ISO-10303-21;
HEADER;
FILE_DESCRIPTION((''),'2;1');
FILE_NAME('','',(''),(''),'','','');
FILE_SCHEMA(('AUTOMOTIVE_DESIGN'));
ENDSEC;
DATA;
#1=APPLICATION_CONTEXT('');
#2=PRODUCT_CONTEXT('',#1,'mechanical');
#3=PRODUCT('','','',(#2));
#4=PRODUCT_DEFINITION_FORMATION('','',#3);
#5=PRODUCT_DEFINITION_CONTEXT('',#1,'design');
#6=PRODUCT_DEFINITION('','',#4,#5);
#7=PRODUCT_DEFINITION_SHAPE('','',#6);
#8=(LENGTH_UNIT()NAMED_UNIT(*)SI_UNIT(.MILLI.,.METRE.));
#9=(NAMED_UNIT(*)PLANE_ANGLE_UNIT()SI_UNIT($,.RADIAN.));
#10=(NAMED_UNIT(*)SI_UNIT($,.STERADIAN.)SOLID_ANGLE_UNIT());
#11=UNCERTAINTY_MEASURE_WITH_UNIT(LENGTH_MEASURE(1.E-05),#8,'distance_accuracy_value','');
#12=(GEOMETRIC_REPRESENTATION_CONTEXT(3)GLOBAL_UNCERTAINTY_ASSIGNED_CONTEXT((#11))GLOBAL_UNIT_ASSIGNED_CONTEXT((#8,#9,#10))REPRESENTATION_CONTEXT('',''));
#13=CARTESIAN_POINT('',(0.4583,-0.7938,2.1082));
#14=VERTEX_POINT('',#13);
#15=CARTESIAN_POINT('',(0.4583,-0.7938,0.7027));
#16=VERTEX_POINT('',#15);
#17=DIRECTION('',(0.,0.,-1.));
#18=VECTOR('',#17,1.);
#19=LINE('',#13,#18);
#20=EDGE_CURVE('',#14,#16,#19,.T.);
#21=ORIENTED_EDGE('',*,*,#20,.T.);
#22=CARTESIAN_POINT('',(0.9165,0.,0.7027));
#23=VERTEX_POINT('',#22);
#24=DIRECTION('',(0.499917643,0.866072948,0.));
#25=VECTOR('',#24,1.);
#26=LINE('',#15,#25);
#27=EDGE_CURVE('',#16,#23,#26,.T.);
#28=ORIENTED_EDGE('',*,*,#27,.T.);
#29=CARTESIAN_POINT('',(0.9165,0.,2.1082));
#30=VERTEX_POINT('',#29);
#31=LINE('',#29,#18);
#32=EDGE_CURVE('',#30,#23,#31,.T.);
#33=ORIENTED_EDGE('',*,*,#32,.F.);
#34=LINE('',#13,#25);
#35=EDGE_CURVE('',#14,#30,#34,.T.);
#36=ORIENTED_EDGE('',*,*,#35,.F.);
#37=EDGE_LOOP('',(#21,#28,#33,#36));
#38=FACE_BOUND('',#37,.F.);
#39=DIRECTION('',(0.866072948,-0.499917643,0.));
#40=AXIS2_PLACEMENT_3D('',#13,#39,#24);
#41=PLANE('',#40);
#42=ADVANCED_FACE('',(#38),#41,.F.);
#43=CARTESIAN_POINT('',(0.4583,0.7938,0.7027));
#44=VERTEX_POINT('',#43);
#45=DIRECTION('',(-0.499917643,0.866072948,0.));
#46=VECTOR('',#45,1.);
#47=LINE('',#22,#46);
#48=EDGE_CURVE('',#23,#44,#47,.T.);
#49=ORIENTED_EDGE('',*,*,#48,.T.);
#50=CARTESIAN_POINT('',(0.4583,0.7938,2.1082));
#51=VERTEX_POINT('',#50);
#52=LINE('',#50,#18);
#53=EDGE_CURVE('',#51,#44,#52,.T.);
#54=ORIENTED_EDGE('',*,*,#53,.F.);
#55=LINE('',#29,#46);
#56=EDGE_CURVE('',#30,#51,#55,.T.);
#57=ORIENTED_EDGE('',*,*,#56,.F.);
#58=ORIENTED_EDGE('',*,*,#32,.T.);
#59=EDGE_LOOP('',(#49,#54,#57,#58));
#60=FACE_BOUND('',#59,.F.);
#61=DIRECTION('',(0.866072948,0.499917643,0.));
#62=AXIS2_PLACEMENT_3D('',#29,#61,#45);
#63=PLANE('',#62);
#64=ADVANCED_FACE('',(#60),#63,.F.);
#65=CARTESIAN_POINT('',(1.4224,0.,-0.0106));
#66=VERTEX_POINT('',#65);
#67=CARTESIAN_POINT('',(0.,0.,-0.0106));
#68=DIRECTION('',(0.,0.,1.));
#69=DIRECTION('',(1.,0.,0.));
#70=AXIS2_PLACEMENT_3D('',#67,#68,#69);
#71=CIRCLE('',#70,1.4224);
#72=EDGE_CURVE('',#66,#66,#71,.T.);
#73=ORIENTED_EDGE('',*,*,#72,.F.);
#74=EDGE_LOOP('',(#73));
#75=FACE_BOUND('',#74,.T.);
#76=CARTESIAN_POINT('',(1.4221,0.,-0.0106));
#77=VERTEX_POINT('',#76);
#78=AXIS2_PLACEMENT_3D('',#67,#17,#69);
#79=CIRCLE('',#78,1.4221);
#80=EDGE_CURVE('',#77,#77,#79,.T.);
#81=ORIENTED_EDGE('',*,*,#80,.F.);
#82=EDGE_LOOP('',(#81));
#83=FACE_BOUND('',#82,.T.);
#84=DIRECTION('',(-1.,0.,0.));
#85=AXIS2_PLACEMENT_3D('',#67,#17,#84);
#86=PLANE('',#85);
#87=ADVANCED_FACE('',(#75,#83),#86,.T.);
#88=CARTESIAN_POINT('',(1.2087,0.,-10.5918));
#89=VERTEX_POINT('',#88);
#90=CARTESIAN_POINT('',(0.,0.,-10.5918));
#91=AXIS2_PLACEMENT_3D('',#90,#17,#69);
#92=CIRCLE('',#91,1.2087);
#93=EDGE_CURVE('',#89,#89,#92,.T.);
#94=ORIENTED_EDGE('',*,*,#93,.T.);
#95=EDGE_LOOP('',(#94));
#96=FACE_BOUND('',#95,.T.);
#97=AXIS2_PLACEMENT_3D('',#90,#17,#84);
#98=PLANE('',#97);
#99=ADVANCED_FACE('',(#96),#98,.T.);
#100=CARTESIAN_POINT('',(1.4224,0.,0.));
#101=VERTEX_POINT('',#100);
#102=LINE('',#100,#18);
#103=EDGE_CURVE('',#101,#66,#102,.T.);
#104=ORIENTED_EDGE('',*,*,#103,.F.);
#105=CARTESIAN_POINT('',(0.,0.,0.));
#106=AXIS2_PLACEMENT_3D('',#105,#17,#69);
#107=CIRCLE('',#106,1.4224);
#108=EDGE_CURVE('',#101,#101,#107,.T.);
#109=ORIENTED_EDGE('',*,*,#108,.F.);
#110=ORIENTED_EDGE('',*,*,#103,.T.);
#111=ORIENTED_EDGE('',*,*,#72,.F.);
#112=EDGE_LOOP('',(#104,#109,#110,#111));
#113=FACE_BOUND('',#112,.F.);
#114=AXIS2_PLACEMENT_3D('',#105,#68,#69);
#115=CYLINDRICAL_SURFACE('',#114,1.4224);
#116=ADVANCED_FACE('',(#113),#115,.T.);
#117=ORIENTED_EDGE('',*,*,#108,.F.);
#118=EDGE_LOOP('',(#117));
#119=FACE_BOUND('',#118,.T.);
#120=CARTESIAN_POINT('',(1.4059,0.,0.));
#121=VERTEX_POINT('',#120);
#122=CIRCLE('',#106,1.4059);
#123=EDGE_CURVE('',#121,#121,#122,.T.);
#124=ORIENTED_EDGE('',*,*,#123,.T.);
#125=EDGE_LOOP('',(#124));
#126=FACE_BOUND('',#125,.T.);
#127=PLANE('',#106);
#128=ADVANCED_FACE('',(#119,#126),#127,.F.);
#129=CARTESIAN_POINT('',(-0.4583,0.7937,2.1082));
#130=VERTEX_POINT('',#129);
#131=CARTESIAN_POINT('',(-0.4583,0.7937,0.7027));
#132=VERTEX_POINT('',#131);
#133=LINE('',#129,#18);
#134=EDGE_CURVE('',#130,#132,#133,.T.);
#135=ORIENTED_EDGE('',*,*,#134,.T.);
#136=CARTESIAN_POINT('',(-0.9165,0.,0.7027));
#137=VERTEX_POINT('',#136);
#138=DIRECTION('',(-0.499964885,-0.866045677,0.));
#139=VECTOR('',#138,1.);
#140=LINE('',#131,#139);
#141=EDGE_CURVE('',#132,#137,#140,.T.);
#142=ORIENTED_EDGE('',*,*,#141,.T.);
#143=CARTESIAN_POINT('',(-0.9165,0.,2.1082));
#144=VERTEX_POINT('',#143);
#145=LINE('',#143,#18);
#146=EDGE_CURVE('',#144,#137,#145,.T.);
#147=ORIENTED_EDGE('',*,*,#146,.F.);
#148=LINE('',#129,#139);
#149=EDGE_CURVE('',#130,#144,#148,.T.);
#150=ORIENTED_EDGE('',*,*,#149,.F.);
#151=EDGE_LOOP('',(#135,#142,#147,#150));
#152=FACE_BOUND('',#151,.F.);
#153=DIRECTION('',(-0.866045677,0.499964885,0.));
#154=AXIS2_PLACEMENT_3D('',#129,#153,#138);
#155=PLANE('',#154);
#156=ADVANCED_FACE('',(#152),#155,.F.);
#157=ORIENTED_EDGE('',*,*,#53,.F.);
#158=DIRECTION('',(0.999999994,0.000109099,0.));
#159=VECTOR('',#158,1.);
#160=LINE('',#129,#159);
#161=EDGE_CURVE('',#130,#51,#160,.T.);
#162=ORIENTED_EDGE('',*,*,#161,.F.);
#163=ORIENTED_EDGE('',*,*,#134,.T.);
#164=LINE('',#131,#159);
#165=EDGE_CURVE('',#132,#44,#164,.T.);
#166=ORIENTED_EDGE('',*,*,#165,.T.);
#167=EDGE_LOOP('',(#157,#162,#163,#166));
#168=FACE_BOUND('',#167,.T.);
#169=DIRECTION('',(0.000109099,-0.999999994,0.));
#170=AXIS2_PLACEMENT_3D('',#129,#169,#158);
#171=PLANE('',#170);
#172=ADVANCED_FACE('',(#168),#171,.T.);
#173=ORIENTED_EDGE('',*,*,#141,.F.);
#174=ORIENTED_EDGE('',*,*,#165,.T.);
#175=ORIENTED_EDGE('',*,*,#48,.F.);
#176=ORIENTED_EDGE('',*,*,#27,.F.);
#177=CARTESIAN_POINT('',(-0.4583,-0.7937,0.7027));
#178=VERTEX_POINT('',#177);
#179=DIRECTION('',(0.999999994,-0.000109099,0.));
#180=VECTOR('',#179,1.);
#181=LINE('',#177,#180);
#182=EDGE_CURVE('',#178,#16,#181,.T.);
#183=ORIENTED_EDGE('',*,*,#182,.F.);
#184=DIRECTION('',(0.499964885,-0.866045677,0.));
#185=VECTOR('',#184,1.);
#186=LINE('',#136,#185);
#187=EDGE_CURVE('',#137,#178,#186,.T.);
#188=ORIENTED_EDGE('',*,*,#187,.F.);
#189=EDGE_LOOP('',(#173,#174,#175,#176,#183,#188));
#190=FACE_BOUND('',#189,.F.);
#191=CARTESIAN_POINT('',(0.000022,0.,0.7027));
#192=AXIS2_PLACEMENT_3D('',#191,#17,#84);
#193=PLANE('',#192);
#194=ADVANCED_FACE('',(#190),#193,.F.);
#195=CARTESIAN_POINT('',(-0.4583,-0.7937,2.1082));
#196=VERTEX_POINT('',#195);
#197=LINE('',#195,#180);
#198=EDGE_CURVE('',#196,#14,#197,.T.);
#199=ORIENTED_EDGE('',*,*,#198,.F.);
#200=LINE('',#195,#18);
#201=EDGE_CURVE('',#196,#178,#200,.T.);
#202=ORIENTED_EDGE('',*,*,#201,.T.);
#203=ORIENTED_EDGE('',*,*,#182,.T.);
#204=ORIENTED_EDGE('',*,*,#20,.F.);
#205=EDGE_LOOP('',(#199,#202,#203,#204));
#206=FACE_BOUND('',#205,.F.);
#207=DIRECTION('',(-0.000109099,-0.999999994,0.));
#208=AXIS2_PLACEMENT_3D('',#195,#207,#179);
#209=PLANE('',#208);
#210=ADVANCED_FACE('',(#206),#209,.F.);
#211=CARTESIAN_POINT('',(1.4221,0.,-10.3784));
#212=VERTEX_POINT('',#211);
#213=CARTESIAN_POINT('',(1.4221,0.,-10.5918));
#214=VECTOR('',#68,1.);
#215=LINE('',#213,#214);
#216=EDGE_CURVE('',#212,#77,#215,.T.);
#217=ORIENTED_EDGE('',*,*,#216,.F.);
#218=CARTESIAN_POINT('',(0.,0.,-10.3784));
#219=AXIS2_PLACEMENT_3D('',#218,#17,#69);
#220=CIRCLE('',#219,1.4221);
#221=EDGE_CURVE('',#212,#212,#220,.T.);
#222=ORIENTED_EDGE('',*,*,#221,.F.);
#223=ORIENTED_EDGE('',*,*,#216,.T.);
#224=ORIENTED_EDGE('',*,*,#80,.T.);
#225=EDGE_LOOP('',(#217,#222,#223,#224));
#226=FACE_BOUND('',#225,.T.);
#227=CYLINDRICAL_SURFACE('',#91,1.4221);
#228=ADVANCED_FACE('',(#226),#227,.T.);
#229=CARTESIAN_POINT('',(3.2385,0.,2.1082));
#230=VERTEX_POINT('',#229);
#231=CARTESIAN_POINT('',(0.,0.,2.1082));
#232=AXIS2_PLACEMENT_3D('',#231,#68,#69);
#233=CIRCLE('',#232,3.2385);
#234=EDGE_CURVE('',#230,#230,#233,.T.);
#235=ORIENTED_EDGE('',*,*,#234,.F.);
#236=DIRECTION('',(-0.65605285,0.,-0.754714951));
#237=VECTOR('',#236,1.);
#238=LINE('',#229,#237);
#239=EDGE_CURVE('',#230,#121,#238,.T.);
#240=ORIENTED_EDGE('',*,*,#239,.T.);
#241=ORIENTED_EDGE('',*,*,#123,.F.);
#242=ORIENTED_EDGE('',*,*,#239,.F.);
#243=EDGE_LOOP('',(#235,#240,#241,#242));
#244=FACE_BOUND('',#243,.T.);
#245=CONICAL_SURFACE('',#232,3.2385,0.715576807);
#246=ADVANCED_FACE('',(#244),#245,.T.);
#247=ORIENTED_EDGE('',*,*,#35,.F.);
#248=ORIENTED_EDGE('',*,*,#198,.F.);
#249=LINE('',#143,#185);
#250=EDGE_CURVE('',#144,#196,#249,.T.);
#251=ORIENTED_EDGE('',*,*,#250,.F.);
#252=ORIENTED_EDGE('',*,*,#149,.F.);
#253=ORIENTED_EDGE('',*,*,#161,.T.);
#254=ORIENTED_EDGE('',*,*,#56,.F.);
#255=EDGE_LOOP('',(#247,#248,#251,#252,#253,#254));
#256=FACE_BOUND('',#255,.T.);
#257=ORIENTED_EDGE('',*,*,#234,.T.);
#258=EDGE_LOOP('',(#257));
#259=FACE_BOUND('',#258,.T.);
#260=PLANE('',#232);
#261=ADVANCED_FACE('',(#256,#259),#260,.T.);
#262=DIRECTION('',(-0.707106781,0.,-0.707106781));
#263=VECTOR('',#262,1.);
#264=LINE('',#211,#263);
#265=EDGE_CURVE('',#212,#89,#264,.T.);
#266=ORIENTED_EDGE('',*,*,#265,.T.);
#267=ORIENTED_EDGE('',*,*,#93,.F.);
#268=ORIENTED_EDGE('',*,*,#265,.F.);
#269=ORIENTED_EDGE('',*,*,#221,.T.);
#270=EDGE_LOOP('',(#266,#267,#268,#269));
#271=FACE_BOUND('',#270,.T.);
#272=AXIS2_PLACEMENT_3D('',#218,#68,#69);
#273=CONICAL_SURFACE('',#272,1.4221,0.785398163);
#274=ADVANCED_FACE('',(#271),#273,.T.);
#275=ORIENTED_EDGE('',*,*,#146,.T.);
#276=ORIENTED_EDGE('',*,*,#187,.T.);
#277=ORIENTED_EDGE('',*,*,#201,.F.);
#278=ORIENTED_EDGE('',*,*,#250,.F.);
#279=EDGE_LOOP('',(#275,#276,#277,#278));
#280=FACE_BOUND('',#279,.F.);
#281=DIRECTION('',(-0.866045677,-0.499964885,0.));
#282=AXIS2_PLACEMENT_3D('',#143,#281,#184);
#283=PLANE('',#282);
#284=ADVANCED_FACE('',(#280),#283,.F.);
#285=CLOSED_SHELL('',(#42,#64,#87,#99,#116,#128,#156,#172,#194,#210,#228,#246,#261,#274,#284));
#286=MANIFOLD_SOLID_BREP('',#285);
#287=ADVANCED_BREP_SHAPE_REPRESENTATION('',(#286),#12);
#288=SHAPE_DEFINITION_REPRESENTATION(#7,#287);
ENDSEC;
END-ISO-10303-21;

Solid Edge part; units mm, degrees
sketch "Sketch1" plane through (0, 0, 0) normal (0, 0, 1) x (1, 0, 0)
  circle A0 centre (0, 0) radius 3.2385
  dimension "D1" = 6.477
extrude "Protrusion1" add sketch "Sketch1" along normal blind 2.1082
sketch "Sketch2" plane through (0, 0, 0) normal (0, 0, -1) x (1, 0, 0)
  circle A0 centre (0, 0) radius 1.4224
extrude "Protrusion2" add sketch "Sketch2" along normal blind 10.5918
sketch "Sketch3" plane through (0, 0, -10.5918) normal (0, 0, -1) x (1, 0, 0)
  circle A0 centre (0, 0) radius 1.4221
extrude "Cutout1" cut sketch "Sketch3" against normal blind 10.5812 flip side to cut
chamfer "Chamfer_1" distance 0.2134 angle 45 1 edges at (-1.4221, 0, -10.5918)
sketch "Sketch4" plane through (0, 0, 2.1082) normal (0, 0, 1) x (1, 0, 0)
  line L0 (-0.4583, 0.7937) -> (0.4583, 0.7938)
  line L1 (0.9165, 0) -> (0.4583, 0.7938)
  line L2 (0.4583, -0.7938) -> (0.9165, 0)
  line L3 (-0.4583, -0.7937) -> (0.4583, -0.7937)
  line L4 (-0.9165, 0) -> (-0.4583, -0.7937)
  line L5 (-0.4583, 0.7937) -> (-0.9165, 0)
  dimension "D1" = 1.5875
extrude "Cutout2" cut sketch "Sketch4" against normal blind 1.4055
sketch "Sketch5" plane through (0, 0, 0) normal (0, -1, 0) x (1, 0, 0)
  line L0 (3.2385, 2.1082) -> (1.4059, 0)
  line L1 (1.4059, 0) -> (3.2385, 0)
  line L2 (3.2385, 0) -> (3.2385, 2.1082)
revolve "RevolvedCutout1" cut sketch "Sketch5" angle 360 about axis through (0, 0, 14.0017) along (0, 0, -1)
properties part number "24109098"
